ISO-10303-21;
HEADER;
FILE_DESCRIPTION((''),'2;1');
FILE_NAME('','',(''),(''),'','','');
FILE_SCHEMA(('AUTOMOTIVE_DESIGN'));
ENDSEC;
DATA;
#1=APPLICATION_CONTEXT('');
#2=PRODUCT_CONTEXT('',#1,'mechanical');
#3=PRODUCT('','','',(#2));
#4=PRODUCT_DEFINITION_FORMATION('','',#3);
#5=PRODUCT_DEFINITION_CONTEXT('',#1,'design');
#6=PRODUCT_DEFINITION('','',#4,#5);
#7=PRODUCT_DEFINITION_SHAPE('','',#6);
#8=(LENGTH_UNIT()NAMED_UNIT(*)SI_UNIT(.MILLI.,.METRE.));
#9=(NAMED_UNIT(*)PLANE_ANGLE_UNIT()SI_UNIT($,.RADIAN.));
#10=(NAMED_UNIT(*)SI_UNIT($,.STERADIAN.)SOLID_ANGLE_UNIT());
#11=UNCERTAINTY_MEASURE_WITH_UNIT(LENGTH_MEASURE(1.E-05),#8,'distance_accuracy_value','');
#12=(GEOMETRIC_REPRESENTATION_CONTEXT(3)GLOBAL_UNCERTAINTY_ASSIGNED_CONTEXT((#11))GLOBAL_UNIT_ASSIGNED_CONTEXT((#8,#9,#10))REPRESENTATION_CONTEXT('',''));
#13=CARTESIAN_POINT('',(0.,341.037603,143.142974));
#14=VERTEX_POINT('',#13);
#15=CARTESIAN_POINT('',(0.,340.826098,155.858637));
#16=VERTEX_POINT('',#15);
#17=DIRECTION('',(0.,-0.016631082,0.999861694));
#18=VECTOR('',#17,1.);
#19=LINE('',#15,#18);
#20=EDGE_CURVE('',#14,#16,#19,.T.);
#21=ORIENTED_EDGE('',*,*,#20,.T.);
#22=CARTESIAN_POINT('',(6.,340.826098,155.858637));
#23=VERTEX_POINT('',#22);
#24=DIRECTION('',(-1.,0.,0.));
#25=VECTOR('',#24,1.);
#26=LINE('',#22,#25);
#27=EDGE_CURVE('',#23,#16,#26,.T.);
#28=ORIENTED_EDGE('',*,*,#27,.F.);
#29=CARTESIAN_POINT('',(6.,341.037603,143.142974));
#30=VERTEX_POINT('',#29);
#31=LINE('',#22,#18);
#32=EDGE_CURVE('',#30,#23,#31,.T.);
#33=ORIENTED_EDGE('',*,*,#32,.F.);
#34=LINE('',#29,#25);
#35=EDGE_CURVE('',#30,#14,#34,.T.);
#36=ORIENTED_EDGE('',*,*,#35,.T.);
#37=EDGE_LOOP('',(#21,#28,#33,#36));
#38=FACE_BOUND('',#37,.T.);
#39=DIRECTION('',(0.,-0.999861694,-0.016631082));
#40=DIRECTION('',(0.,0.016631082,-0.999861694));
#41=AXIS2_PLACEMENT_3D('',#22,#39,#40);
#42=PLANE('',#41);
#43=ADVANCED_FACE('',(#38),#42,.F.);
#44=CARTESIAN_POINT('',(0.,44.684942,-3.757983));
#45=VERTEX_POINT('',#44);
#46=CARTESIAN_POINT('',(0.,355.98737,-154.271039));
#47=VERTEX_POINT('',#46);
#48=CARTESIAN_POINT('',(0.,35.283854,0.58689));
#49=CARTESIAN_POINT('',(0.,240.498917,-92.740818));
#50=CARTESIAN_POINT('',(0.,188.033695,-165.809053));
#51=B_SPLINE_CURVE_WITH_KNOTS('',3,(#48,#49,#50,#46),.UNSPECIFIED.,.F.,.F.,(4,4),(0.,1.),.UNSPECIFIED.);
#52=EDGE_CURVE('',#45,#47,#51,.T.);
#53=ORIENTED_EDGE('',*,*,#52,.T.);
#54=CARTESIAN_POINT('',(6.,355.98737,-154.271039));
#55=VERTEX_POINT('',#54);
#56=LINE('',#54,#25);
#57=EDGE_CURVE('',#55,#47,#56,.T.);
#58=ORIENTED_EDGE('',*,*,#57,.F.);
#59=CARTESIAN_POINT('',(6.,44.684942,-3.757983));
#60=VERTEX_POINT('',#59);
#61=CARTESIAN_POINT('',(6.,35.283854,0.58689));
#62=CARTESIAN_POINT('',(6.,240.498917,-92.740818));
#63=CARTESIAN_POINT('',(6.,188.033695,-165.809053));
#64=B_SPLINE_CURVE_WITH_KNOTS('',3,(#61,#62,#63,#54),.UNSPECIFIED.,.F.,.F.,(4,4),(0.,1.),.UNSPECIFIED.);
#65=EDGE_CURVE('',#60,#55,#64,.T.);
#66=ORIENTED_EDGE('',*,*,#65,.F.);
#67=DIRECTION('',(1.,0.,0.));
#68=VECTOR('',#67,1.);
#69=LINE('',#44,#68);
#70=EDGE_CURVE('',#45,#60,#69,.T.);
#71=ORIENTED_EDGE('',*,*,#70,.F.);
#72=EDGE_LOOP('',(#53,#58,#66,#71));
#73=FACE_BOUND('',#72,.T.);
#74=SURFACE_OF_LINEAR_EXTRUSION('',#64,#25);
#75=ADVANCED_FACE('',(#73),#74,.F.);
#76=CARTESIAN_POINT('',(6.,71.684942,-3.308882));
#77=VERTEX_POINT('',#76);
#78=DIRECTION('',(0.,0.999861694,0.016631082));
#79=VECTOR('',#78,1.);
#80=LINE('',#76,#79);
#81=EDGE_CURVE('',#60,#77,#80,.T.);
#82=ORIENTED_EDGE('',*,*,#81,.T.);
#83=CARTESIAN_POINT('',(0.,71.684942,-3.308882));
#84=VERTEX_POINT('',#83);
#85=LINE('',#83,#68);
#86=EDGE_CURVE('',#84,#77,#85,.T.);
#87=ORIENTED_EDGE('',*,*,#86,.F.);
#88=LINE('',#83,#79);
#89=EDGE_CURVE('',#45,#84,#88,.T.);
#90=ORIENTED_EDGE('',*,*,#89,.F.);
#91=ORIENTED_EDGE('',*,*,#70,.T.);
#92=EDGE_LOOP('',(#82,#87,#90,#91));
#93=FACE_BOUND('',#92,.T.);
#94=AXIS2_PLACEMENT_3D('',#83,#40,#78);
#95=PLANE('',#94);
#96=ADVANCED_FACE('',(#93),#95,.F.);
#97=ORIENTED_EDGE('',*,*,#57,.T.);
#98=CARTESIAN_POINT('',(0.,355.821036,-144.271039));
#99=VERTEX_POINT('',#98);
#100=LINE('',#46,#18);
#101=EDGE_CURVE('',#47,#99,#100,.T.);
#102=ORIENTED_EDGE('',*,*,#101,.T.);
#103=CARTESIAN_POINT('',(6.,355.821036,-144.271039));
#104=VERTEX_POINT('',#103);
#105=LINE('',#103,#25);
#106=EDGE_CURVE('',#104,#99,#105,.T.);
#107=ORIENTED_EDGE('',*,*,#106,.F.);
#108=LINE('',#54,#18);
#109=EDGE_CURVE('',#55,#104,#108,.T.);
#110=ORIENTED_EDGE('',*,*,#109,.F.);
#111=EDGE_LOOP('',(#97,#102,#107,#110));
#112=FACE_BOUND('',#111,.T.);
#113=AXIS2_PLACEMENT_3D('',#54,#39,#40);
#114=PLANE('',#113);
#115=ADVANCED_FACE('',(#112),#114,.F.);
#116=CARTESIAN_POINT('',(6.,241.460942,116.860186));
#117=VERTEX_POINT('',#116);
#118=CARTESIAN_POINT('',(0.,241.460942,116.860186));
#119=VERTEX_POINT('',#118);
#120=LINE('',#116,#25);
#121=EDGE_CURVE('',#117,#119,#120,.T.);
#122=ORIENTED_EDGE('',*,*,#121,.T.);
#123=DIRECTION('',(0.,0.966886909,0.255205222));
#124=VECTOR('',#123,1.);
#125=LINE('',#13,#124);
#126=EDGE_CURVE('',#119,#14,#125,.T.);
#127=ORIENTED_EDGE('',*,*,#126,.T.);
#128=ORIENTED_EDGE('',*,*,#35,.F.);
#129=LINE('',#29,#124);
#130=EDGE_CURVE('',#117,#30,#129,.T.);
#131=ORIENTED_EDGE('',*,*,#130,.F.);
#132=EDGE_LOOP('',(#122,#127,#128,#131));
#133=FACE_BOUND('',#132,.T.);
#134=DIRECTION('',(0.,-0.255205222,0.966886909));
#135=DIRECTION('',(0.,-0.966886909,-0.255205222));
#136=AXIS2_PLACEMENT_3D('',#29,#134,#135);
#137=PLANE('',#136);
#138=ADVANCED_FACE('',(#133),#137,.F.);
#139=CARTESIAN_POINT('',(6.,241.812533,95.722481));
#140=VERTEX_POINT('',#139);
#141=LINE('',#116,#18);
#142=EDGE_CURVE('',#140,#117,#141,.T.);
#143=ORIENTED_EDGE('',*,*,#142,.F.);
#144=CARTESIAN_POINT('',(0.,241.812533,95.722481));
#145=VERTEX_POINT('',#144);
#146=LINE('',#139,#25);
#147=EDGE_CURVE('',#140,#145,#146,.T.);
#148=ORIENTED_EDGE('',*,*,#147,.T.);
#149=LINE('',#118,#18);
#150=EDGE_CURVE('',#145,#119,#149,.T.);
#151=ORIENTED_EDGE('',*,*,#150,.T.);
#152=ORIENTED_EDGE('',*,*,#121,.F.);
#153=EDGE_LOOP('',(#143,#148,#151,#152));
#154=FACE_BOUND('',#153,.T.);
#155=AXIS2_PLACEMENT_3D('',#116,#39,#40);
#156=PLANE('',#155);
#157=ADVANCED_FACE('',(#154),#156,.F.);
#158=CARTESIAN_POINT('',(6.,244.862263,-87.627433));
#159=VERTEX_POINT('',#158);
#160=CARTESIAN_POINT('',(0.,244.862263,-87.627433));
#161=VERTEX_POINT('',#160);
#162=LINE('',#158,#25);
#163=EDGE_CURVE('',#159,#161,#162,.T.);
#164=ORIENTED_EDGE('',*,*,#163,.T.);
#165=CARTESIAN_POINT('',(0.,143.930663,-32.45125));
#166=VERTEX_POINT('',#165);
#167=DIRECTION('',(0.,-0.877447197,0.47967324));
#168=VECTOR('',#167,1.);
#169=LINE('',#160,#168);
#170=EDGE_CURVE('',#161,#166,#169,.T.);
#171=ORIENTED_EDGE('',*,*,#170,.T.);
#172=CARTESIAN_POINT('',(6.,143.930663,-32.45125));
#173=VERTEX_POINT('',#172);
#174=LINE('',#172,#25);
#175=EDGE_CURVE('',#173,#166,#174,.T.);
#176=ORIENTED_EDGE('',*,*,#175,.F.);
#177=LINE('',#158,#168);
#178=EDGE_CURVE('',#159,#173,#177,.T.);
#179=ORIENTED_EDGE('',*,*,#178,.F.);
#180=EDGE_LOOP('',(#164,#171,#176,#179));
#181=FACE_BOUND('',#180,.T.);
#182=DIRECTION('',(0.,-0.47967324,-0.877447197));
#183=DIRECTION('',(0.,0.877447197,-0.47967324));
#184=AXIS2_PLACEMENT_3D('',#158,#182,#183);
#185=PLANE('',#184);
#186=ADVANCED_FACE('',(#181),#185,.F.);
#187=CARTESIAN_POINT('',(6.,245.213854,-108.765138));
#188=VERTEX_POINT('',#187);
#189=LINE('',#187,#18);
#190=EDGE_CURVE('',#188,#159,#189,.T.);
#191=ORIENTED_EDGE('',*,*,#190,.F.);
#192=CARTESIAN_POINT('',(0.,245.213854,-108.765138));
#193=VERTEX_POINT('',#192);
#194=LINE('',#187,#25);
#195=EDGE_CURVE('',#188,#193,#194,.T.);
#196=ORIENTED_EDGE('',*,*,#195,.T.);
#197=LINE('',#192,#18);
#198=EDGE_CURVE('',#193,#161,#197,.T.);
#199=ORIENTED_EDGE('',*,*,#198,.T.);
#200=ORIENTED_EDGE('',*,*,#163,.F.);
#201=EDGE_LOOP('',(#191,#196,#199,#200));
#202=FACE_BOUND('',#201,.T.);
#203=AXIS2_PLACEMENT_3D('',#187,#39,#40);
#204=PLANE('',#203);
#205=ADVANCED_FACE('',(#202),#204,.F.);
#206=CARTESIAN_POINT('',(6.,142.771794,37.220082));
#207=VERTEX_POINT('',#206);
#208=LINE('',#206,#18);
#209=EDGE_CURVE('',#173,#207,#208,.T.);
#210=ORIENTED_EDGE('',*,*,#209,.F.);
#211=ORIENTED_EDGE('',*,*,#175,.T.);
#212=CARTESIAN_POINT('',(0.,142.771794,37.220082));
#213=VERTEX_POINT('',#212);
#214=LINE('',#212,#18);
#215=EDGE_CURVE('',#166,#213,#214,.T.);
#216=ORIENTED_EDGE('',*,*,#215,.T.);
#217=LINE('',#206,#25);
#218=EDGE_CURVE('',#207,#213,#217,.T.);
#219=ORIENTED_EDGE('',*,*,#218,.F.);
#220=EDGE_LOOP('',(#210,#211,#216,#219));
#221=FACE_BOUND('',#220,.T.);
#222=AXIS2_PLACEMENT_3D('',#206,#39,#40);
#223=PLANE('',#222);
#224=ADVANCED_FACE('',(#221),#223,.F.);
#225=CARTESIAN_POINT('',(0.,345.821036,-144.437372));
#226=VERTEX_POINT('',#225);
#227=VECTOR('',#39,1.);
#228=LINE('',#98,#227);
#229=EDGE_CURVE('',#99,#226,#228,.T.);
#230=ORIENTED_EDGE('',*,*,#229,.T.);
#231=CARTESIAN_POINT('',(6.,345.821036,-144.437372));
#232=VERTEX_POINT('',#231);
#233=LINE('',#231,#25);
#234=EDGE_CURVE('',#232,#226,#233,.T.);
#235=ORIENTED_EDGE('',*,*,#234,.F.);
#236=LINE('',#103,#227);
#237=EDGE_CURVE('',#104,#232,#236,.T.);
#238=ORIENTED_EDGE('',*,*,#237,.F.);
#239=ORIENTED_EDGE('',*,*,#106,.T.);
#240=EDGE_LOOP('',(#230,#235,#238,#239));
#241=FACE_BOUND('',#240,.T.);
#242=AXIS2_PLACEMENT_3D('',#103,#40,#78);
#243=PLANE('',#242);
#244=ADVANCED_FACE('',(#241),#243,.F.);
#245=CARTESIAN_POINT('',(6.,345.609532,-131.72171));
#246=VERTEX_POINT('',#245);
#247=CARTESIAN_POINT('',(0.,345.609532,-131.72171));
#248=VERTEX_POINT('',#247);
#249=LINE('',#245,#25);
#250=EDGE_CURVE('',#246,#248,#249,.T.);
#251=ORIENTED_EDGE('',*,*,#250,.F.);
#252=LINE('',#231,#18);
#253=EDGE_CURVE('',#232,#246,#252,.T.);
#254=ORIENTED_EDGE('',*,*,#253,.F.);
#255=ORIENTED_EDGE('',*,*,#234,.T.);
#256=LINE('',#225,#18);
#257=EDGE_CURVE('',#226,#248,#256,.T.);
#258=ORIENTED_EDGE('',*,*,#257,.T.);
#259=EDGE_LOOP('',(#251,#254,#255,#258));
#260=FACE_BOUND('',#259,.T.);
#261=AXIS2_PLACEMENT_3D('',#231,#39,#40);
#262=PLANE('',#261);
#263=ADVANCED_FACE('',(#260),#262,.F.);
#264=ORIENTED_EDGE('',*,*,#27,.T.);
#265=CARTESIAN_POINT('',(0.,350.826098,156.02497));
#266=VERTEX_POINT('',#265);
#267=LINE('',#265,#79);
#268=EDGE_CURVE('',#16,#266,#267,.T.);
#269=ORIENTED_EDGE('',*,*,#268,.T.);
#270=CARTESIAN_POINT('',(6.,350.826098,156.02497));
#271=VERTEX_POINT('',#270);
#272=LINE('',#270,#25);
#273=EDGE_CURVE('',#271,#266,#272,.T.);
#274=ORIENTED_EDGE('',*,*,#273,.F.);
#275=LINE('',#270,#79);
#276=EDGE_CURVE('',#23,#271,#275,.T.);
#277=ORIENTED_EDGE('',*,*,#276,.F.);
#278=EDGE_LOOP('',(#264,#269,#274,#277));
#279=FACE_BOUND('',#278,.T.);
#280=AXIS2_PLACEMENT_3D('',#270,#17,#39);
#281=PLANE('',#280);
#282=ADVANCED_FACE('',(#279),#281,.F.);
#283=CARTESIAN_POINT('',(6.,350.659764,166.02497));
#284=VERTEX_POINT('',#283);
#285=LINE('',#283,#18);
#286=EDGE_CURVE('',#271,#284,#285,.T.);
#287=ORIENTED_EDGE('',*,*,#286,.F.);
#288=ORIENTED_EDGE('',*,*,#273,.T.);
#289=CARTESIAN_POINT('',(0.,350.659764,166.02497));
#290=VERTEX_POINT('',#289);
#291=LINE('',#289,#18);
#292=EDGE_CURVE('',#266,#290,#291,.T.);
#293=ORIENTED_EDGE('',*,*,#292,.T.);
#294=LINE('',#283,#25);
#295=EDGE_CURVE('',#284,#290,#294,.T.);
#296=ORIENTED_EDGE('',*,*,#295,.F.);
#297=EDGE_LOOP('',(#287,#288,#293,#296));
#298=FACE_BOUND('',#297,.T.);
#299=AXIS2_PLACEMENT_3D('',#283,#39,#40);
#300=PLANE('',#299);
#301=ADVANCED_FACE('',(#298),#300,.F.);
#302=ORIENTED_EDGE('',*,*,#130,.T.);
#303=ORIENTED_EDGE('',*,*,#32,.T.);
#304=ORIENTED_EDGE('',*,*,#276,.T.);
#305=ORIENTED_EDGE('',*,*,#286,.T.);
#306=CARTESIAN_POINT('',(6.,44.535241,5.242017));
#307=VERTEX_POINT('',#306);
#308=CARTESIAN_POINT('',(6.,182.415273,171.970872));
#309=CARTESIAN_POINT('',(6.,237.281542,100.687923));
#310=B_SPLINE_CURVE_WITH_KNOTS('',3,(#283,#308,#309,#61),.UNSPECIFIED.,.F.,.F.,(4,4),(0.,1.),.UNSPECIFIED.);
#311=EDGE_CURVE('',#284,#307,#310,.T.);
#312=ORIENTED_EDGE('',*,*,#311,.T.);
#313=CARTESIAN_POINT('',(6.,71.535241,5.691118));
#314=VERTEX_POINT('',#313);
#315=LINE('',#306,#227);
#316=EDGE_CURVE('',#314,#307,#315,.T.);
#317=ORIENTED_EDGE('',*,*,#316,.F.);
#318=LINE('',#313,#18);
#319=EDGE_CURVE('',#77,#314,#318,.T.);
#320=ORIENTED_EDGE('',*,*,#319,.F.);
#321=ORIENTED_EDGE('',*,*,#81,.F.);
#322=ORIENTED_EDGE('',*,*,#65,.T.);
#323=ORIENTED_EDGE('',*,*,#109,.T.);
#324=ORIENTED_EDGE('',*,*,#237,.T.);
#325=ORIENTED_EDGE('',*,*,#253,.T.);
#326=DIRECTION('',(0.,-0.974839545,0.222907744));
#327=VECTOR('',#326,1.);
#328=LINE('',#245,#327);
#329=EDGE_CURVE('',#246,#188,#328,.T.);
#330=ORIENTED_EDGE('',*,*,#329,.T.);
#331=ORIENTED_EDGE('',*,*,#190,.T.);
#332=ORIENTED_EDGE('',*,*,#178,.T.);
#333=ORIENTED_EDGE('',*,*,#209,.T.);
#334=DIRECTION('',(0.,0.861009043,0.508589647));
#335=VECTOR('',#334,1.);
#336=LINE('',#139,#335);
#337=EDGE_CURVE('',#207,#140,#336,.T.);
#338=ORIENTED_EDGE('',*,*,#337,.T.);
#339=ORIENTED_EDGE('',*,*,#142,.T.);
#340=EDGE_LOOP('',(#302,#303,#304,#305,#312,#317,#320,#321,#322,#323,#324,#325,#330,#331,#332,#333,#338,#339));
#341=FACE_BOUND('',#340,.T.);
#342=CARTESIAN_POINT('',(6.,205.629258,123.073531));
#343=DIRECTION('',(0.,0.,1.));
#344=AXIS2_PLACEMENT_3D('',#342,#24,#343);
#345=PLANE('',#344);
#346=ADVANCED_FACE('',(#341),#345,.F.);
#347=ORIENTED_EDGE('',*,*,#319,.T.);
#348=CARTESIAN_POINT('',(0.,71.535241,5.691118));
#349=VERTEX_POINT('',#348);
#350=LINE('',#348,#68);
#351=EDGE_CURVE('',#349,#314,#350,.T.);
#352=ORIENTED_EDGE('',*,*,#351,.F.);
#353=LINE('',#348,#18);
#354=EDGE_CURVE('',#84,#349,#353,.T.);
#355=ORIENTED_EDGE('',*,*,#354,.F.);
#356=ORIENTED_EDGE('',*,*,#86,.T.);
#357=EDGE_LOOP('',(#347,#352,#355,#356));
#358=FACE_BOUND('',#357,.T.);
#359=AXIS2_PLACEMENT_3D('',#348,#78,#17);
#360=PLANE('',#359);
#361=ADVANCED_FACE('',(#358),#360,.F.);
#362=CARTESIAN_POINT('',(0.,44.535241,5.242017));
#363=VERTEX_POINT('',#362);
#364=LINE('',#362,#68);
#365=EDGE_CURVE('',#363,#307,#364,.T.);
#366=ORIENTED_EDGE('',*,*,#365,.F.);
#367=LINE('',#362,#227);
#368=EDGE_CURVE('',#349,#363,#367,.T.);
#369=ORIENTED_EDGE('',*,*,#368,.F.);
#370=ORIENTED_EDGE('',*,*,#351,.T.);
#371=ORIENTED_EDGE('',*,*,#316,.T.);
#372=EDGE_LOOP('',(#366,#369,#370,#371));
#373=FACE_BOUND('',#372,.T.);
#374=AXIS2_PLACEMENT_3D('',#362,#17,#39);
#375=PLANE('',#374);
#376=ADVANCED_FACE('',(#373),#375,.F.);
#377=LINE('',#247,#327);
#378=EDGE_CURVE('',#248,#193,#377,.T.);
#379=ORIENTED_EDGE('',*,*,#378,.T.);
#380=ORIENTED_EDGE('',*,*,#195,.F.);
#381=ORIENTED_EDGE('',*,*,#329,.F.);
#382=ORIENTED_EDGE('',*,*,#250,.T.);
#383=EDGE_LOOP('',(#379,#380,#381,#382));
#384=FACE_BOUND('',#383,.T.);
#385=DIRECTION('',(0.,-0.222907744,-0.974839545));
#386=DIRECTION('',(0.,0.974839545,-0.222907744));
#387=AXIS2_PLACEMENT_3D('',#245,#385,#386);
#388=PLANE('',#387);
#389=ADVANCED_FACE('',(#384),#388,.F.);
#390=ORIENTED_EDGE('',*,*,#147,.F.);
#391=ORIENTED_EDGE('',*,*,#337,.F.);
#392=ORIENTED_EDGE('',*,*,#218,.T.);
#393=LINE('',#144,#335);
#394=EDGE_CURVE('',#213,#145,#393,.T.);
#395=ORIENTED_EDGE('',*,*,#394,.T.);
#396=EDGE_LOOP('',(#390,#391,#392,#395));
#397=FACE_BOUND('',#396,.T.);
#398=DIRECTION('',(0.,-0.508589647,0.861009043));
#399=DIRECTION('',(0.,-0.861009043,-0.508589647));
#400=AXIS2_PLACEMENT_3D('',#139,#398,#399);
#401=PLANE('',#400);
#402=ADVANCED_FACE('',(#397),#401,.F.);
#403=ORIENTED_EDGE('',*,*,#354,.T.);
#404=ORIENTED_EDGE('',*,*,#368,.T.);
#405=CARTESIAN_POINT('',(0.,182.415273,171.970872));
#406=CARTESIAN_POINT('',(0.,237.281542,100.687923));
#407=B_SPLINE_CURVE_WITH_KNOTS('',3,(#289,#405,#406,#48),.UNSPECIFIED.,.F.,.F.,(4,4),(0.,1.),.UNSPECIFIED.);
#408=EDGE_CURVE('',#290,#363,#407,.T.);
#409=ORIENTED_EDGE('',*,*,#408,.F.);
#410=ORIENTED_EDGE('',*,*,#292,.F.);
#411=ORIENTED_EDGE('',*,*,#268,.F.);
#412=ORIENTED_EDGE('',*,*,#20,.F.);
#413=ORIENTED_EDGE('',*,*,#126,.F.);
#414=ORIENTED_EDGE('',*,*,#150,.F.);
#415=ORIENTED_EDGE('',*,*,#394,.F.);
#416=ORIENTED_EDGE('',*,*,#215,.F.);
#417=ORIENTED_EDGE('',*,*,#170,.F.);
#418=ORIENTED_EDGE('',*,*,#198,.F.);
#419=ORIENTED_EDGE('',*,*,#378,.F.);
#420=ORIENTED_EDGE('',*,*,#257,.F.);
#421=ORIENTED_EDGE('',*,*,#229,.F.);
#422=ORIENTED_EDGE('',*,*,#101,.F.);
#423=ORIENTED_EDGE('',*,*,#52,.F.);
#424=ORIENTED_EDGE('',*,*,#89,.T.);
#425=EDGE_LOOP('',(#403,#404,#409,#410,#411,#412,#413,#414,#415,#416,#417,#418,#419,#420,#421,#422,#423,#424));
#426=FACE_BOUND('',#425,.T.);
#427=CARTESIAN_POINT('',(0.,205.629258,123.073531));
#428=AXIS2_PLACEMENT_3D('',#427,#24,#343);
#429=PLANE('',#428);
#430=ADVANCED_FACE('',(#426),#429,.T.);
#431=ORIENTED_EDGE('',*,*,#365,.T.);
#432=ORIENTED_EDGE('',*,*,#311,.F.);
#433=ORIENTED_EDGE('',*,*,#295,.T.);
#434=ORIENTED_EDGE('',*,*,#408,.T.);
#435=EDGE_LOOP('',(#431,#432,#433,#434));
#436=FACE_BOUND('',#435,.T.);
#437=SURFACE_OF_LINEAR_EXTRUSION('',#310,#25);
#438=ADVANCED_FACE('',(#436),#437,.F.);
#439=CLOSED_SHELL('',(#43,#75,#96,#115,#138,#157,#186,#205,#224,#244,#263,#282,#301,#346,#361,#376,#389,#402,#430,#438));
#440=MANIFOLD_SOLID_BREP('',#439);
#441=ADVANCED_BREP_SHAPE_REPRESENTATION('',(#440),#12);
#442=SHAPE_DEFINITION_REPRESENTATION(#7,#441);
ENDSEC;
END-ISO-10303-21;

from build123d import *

# Parameters (mm, degrees)
BOSS_EXTRU_3_DEPTH      = 6
ENL_V_MAT_EXTRU_1_DEPTH = 6


with BuildPart() as part:
    # Esquisse2 → Boss.-Extru.3 (new body)
    with BuildSketch(Plane(origin=(0, 0, 0), x_dir=(0, 0, -1), z_dir=(1, 0, 0))):
        with BuildLine():
            Line((-166.024970345, 350.659764397), (-156.024970345, 350.826098218))
            Line((-156.024970345, 350.826098218), (-155.858636524, 340.826098218))
            Line((-155.858636524, 340.826098218), (-143.142974447, 341.037602684))
            Line((-143.142974447, 341.037602684), (-116.860186269, 241.460941829))
            Line((-116.860186269, 241.460941829), (-95.722481296, 241.812533352))
            Line((-95.722481296, 241.812533352), (-37.220081968, 142.7717936))
            Line((-37.220081968, 142.7717936), (32.451250452, 143.930663493))
            Line((32.451250452, 143.930663493), (87.627433462, 244.862262541))
            Line((87.627433462, 244.862262541), (108.765138435, 245.213854064))
            Line((108.765138435, 245.213854064), (131.721710294, 345.609532008))
            Line((131.721710294, 345.609532008), (144.437372371, 345.821036474))
            Line((144.437372371, 345.821036474), (144.27103855, 355.821036474))
            Line((144.27103855, 355.821036474), (154.27103855, 355.987370295))
            add(Edge.make_bspline(
                [(154.27103855, 355.987370295), (165.809052725, 188.033695436), (92.740818318, 240.498916664), (-0.586889825, 35.283853957)],
                knots=[0, 0, 0, 0, 1, 1, 1, 1], degree=3))
            add(Edge.make_bspline(
                [(-166.024970345, 350.659764397), (-171.97087196, 182.415272886), (-100.687923251, 237.281542498), (-0.586889825, 35.283853957)],
                knots=[0, 0, 0, 0, 1, 1, 1, 1], degree=3))
        make_face()
    extrude(amount=BOSS_EXTRU_3_DEPTH)

    # Esquisse3 → Enlèv. mat.-Extru.1 (cut)
    with BuildSketch(Plane(origin=(6, 0, 0), x_dir=(0, 0, -1), z_dir=(1, 0, 0))):
        Polygon((-5.242016699, 44.535241388), (-5.691118015, 71.535241388), (3.308881985, 71.684941826), (3.757983301, 44.684941826), (35.292020924, 1.197065852), (-5.781333041, 1.197065852), align=None)
    extrude(amount=-ENL_V_MAT_EXTRU_1_DEPTH, mode=Mode.SUBTRACT)


solid = part.part
